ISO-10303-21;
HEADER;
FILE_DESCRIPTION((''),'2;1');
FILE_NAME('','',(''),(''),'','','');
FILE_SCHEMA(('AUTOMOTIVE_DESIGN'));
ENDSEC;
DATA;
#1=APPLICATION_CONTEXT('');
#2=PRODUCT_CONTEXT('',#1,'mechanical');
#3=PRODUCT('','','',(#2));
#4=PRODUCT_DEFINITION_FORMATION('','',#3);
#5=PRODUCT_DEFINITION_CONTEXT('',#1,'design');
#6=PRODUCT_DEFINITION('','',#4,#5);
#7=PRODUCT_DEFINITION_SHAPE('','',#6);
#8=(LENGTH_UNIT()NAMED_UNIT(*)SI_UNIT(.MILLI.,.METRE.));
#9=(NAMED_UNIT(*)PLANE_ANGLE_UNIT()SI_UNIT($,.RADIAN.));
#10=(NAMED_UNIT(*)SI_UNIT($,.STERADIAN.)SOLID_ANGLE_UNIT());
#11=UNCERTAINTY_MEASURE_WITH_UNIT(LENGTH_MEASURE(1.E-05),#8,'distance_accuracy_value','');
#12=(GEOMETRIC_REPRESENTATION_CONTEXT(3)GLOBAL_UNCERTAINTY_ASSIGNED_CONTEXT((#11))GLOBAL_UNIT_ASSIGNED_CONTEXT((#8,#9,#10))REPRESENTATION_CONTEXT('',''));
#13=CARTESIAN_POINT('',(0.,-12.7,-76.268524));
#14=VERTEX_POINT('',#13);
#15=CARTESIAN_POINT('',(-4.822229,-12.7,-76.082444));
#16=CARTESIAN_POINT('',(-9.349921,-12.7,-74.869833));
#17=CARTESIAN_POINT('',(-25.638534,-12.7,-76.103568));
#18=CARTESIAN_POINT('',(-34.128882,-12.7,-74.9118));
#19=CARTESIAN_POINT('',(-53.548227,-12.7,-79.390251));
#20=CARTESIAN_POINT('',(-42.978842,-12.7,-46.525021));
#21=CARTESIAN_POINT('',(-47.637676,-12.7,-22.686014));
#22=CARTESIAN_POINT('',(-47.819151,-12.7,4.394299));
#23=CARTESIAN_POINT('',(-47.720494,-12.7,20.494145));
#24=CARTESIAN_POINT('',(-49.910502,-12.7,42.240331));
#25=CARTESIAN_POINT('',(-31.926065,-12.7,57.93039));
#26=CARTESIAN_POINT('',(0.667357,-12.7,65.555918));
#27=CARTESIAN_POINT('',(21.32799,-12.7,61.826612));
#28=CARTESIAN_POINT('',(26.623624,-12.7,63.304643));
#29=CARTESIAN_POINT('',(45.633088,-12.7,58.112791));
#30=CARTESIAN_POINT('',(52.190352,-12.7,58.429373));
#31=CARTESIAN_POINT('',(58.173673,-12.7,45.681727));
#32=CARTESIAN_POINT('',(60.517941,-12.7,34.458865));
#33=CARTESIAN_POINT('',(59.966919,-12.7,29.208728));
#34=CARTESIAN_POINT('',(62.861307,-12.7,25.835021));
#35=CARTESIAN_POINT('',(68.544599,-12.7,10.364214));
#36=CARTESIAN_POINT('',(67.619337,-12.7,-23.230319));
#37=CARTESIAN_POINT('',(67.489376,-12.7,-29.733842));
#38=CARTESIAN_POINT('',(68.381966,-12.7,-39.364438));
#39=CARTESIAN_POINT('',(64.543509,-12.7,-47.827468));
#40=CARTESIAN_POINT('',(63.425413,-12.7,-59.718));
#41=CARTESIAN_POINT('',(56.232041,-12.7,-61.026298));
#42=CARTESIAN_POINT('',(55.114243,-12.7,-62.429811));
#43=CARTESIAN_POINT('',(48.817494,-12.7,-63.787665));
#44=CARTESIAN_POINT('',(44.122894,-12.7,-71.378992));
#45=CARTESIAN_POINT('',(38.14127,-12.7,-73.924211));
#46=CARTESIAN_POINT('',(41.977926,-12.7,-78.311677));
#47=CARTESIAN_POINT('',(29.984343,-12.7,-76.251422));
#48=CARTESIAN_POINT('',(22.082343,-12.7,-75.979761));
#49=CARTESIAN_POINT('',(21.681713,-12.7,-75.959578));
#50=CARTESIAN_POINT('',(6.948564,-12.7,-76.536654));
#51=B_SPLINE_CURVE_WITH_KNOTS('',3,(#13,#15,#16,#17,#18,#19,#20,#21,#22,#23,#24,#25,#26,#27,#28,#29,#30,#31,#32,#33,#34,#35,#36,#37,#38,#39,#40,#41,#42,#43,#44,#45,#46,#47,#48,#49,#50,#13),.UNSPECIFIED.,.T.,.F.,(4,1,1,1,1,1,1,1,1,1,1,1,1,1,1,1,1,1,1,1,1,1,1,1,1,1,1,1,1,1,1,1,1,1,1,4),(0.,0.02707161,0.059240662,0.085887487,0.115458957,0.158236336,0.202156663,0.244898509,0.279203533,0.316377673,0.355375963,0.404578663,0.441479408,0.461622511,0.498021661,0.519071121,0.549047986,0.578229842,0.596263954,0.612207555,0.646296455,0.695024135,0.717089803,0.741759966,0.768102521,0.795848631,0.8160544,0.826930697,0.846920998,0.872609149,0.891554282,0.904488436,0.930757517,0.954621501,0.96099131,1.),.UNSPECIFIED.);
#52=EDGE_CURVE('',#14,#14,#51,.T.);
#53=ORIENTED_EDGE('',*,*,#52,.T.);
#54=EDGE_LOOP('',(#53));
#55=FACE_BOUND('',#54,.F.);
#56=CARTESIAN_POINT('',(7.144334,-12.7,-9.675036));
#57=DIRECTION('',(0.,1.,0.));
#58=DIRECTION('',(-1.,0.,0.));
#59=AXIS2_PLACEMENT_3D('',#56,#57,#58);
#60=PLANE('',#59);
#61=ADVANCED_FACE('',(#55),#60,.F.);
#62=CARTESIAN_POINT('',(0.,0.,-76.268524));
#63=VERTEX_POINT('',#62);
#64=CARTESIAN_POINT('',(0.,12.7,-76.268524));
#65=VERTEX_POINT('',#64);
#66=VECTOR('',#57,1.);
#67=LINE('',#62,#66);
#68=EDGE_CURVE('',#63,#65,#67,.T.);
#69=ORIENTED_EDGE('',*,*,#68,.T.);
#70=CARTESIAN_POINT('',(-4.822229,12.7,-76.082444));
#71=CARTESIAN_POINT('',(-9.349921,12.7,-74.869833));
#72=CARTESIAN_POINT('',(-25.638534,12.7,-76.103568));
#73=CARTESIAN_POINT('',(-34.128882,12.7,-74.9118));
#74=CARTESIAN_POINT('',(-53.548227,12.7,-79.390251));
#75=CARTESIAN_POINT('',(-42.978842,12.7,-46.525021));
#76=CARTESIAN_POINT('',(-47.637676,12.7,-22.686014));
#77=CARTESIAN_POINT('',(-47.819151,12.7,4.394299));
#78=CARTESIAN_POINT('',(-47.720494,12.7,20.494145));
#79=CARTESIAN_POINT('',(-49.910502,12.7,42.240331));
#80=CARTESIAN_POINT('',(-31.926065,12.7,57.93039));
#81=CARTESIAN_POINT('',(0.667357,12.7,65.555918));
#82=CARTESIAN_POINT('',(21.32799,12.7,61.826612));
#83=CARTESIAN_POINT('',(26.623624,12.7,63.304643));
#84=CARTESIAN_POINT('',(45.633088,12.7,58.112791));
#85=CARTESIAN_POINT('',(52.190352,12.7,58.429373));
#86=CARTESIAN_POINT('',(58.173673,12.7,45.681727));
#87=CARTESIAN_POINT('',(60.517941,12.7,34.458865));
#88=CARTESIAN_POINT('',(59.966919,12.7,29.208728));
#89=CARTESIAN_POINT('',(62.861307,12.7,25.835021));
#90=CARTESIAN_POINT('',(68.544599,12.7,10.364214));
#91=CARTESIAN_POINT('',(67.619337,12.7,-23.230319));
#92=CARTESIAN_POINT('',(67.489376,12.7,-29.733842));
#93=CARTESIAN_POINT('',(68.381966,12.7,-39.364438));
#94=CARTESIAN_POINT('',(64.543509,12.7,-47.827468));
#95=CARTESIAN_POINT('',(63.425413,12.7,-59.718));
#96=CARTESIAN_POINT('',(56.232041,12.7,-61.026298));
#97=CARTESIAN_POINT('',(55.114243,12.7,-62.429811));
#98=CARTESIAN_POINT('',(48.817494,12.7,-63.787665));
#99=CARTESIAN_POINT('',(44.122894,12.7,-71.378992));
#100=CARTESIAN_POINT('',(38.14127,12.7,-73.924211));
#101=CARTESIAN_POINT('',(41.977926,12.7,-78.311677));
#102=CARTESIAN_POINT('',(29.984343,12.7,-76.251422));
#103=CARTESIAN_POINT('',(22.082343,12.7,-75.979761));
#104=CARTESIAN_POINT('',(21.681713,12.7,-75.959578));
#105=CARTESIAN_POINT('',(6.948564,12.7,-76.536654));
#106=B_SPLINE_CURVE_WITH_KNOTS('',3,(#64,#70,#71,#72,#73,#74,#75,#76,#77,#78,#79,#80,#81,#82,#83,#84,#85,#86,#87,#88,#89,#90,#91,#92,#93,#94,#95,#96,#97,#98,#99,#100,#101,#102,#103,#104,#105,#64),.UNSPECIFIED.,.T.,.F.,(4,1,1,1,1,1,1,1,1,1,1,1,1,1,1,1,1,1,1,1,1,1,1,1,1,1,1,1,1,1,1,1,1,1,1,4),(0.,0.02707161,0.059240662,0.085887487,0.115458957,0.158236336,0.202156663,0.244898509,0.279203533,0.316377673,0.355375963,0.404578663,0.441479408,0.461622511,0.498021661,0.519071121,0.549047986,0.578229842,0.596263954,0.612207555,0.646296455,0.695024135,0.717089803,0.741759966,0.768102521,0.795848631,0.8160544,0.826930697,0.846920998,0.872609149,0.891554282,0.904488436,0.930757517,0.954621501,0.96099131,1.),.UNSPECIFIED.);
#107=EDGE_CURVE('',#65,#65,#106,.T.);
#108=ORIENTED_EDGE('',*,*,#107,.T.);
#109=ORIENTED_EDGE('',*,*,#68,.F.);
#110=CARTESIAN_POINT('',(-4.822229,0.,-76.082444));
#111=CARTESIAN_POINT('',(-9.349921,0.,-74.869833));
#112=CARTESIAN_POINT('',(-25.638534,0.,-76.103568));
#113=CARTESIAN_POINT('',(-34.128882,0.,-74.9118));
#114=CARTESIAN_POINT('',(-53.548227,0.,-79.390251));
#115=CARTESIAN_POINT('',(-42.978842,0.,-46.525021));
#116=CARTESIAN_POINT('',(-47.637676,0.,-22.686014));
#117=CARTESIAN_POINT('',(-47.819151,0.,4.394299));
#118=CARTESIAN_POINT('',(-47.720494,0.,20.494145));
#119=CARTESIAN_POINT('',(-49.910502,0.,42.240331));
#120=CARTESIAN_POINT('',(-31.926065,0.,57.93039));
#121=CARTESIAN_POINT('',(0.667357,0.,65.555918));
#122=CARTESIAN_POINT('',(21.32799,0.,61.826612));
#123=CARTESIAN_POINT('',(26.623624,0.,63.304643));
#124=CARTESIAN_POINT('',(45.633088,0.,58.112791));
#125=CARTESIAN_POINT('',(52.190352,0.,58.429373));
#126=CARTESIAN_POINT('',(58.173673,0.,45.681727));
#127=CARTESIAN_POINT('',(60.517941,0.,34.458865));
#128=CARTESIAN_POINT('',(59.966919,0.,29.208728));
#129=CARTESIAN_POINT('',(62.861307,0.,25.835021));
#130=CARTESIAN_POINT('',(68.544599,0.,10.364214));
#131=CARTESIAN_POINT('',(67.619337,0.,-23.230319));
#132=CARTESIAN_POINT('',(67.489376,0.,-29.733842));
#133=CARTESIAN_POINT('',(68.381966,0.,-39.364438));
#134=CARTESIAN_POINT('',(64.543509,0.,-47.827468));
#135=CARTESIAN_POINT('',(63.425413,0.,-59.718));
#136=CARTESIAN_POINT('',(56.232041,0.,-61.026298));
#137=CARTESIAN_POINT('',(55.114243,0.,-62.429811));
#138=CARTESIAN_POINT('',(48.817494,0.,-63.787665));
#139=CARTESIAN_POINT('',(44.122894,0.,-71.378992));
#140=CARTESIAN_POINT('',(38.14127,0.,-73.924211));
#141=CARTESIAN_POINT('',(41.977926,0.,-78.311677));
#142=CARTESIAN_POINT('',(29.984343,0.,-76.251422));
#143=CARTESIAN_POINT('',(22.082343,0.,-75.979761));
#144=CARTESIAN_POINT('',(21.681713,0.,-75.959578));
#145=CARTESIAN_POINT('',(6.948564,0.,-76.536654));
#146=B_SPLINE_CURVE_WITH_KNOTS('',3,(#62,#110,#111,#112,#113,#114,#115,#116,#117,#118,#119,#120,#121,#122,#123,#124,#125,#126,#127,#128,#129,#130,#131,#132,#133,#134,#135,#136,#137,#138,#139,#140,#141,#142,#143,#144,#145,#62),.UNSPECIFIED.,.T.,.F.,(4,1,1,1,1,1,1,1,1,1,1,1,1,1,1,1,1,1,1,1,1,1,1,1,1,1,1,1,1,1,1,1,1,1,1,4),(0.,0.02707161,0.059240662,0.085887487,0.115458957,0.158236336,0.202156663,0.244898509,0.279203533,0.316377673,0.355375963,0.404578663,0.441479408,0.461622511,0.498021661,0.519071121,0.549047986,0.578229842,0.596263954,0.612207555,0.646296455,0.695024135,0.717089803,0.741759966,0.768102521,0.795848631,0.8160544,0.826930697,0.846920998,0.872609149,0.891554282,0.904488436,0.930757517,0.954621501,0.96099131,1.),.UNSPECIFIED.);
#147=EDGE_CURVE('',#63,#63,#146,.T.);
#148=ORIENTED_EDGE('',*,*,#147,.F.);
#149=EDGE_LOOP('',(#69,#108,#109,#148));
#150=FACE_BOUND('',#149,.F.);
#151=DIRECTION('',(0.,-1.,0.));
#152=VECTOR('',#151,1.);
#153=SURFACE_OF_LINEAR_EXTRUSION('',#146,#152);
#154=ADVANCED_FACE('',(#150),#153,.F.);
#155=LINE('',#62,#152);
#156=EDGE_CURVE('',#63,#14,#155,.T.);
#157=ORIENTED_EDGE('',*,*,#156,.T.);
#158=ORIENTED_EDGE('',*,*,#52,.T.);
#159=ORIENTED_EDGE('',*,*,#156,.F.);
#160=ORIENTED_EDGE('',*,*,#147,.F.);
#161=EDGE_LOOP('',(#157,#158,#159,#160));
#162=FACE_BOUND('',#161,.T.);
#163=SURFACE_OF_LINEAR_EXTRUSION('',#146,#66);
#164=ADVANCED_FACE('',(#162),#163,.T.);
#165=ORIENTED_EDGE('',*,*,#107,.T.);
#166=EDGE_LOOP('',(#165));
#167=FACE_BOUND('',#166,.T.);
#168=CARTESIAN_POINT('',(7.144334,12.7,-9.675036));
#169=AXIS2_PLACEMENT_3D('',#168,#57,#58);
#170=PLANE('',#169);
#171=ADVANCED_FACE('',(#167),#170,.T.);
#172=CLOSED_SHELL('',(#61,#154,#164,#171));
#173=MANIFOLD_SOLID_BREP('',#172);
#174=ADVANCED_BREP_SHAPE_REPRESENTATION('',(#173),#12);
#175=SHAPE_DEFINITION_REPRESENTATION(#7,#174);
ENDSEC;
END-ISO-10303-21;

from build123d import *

# Parameters (mm, degrees)
F1_DEPTH = 12.7


with BuildPart() as f1:
    # F0 (on Front) → F1 (new body, symmetric)
    with BuildSketch(Plane.XZ):
        with BuildLine():
            add(Edge.make_bspline(
                [(0, -76.2685239315), (-4.8222286186, -76.0824444071), (-9.3499206904, -74.8698329889), (-25.6385340367, -76.1035675102), (-34.1288824758, -74.9118002923), (-53.5482265049, -79.3902513952), (-42.9788417039, -46.5250213523), (-47.6376758302, -22.6860144517), (-47.8191512158, 4.3942994306), (-47.7204943458, 20.4941448488), (-49.9105015359, 42.240330939), (-31.9260654147, 57.9303902861), (0.6673565955, 65.5559182221), (21.3279902133, 61.8266121246), (26.6236243729, 63.3046427089), (45.6330875929, 58.1127911083), (52.1903521722, 58.4293731061), (58.1736729352, 45.6817271324), (60.5179406314, 34.458865129), (59.9669190996, 29.2087282105), (62.8613072331, 25.8350213914), (68.5445992192, 10.3642137994), (67.6193370282, -23.2303193084), (67.4893763937, -29.7338420571), (68.3819656129, -39.364438273), (64.5435089689, -47.8274684486), (63.4254128951, -59.7180003486), (56.2320410927, -61.0262978081), (55.1142432913, -62.4298105526), (48.8174936625, -63.7876648859), (44.122893761, -71.3789916302), (38.1412696675, -73.924211062), (41.9779263976, -78.3116769365), (29.9843426447, -76.2514220037), (22.082342814, -75.9797610695), (21.6817132236, -75.9595778163), (6.9485643947, -76.5366542215), (0, -76.2685239315)],
                knots=[0, 0, 0, 0, 0.0270716097, 0.0592406622, 0.0858874875, 0.1154589566, 0.1582363359, 0.2021566625, 0.2448985089, 0.2792035332, 0.316377673, 0.3553759628, 0.4045786628, 0.4414794076, 0.4616225113, 0.4980216605, 0.5190711212, 0.549047986, 0.5782298422, 0.596263954, 0.6122075546, 0.6462964552, 0.6950241354, 0.7170898029, 0.7417599659, 0.7681025206, 0.7958486309, 0.8160543998, 0.8269306973, 0.8469209982, 0.8726091488, 0.8915542823, 0.9044884355, 0.9307575173, 0.954621501, 0.9609913097, 1, 1, 1, 1], degree=3))
        make_face()
    extrude(amount=F1_DEPTH, both=True)


solid = f1.part
